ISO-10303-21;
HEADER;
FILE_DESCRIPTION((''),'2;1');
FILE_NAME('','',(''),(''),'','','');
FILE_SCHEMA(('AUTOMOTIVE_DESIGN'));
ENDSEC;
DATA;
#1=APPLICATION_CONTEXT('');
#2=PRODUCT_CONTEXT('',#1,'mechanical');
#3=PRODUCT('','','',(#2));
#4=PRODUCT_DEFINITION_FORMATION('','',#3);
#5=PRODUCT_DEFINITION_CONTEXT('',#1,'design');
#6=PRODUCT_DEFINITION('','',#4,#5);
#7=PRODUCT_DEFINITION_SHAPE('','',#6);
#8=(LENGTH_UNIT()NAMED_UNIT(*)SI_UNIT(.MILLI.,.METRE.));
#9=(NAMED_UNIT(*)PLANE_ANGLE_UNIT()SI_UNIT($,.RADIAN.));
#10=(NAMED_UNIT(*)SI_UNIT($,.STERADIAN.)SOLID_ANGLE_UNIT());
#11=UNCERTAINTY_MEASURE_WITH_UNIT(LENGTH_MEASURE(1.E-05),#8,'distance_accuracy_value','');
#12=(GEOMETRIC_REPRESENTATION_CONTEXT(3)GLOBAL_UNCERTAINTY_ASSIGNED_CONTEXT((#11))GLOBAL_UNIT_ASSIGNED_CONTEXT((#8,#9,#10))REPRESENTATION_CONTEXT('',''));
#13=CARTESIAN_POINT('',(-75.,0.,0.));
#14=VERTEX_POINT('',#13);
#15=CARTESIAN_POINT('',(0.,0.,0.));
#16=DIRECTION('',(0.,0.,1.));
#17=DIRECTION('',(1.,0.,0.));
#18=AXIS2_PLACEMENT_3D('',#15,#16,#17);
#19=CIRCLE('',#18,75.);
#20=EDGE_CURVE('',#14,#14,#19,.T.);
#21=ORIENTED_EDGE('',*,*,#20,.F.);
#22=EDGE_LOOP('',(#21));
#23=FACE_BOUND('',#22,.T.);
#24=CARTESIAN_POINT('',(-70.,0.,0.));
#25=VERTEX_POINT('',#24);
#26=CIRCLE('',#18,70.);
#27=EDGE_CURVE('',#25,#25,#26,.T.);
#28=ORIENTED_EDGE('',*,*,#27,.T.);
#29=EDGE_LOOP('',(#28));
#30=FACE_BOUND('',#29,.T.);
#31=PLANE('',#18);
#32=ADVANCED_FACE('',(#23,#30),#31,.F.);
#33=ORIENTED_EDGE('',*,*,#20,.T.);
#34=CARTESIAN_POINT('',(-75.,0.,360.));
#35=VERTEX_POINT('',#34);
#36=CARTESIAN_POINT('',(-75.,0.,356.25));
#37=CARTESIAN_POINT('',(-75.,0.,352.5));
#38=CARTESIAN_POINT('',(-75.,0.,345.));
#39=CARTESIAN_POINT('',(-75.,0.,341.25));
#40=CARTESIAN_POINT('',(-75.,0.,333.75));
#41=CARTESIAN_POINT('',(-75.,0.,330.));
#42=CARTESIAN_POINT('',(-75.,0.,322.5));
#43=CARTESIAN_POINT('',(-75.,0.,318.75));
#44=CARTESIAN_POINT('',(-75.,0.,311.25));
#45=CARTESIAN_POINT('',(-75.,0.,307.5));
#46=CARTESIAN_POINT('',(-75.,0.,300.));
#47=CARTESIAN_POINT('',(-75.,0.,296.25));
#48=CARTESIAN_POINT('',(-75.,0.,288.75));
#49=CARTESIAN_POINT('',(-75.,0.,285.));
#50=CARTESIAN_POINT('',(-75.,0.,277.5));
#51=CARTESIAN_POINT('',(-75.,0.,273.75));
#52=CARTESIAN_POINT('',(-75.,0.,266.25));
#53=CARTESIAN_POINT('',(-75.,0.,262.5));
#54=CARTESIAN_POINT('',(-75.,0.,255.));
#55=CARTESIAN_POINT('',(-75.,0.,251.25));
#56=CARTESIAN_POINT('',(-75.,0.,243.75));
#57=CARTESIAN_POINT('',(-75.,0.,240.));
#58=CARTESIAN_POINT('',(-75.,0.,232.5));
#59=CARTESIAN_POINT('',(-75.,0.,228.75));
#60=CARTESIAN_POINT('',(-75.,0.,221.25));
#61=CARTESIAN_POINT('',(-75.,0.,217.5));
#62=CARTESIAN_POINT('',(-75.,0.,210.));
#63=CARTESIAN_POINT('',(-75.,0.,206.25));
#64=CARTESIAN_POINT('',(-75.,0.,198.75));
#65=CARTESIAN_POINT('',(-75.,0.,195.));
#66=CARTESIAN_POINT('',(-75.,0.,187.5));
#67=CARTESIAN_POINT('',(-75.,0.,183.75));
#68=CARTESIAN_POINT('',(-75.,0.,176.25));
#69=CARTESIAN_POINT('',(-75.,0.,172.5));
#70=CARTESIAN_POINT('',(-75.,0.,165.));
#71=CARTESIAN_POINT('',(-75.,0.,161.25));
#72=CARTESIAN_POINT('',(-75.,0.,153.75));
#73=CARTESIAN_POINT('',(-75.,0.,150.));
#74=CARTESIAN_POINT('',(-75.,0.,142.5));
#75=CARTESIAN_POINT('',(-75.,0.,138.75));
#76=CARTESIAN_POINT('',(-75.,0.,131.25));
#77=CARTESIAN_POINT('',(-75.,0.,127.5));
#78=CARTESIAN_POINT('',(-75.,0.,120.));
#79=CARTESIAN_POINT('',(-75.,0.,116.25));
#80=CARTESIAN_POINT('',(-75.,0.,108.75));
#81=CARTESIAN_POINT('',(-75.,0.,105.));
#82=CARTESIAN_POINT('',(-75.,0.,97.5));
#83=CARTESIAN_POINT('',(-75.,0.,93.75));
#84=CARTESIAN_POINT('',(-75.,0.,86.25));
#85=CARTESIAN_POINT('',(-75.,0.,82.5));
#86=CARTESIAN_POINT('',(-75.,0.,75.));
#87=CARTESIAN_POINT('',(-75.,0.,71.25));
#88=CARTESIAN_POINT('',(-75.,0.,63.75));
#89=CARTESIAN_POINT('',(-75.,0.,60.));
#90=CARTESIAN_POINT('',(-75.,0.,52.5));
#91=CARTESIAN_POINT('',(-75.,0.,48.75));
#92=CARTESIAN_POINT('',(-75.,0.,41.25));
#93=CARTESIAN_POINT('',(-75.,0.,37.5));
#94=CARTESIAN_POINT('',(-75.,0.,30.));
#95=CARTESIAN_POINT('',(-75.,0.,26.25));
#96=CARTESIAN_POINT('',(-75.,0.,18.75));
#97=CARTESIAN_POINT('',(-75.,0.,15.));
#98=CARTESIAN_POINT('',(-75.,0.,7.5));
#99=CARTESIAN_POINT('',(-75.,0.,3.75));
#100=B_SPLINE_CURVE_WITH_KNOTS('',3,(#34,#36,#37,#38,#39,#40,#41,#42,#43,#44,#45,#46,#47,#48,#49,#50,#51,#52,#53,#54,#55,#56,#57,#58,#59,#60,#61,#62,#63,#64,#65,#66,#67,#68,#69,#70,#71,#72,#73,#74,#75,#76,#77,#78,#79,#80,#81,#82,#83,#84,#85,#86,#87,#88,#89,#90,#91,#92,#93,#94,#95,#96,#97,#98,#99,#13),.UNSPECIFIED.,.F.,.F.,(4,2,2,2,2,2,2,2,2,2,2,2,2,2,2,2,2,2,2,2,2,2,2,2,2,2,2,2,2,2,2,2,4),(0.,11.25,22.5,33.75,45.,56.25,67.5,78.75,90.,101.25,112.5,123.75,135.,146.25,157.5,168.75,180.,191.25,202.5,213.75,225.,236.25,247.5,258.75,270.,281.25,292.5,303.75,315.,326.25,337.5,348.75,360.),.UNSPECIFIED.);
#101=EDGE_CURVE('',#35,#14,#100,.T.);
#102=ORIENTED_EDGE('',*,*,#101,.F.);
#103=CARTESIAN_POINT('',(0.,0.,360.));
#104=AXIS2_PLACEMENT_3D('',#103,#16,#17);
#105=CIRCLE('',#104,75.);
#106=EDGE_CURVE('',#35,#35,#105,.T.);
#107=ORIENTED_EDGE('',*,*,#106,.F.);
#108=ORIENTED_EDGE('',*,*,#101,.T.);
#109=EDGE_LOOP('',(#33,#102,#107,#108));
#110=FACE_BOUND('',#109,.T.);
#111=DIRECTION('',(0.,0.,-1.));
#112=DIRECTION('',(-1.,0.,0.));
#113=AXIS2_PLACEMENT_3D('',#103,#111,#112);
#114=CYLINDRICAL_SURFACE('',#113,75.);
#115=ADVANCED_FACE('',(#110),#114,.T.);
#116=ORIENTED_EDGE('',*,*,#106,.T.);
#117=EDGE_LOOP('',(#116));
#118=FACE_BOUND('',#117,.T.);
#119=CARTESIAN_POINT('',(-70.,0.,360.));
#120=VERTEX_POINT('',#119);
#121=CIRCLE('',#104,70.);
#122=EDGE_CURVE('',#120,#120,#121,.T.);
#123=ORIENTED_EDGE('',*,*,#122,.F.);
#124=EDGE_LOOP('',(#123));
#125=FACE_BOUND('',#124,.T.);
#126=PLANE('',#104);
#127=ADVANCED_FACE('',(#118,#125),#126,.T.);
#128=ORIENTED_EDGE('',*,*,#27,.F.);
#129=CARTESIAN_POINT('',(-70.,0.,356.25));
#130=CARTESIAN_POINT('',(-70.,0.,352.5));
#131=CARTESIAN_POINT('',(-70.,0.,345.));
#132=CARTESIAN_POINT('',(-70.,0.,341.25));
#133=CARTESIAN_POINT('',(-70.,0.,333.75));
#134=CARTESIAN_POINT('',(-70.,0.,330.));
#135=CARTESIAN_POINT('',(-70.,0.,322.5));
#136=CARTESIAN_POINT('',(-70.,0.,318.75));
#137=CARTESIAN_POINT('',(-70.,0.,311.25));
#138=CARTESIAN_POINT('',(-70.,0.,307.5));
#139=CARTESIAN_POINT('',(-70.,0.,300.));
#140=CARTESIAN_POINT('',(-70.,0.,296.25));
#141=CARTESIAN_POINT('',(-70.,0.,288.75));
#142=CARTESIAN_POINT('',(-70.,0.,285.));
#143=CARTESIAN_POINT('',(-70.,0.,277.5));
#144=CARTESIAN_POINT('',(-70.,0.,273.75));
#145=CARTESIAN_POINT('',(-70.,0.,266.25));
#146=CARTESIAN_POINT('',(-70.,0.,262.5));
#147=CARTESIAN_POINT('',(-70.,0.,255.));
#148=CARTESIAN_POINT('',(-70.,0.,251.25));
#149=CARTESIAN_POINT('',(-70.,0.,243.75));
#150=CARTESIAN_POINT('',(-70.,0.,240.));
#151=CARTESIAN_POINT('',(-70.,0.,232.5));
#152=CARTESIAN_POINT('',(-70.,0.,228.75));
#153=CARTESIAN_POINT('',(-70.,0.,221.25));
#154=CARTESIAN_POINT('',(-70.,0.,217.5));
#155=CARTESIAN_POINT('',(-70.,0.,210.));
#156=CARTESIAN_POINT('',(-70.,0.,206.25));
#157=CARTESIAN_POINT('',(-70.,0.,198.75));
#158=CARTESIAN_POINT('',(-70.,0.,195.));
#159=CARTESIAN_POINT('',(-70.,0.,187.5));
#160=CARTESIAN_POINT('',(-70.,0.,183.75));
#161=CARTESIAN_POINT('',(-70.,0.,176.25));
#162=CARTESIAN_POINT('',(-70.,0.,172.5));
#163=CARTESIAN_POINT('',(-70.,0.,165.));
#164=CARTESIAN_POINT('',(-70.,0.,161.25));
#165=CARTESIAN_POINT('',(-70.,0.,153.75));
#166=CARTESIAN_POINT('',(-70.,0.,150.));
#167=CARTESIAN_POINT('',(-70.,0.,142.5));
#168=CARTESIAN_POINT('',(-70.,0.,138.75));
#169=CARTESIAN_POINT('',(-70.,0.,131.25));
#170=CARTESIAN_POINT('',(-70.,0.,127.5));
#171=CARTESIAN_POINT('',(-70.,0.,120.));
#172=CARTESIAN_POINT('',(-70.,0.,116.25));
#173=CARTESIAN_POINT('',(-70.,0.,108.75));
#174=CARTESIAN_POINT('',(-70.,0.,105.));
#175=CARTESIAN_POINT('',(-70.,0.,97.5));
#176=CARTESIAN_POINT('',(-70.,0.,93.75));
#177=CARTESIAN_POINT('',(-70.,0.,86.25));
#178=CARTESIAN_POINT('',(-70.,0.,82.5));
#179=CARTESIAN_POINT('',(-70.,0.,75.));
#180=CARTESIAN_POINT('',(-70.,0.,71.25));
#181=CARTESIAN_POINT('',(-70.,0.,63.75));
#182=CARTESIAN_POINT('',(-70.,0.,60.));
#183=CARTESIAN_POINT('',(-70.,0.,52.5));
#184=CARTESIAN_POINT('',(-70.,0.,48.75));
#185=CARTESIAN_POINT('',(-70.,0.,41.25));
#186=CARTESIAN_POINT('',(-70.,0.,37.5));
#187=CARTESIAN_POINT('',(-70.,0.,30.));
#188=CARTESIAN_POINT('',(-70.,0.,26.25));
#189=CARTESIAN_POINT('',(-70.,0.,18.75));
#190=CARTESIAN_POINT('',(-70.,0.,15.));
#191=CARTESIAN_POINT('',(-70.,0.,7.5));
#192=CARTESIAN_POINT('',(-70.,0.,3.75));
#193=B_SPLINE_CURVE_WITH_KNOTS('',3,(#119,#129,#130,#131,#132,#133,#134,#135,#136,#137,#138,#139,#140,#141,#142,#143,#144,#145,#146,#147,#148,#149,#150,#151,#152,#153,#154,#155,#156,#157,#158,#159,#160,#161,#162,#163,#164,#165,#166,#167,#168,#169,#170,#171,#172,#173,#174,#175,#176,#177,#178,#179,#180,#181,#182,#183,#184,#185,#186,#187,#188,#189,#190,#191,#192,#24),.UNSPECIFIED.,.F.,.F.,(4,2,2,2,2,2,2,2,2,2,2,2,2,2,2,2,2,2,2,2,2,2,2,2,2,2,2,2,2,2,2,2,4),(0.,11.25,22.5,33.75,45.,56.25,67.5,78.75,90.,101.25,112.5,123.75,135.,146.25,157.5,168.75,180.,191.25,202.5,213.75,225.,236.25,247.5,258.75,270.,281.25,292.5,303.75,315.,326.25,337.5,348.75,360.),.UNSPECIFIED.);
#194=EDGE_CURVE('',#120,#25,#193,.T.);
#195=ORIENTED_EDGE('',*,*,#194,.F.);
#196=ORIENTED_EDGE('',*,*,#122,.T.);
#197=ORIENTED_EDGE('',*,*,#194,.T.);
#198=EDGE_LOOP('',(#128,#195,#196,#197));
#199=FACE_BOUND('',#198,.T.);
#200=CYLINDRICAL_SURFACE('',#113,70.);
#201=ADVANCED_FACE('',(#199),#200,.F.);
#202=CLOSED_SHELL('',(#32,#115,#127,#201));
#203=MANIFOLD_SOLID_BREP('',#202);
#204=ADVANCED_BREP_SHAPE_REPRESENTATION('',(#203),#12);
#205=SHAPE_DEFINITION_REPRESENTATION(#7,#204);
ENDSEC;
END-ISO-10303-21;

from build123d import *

# Parameters (mm, degrees)
ESBO_O1_R                = 75
ESBO_O1_R_2              = 70
RESSALTO_EXTRUS_O1_DEPTH = 360


with BuildPart() as part:
    # Esboço1 → Ressalto-extrusão1 (new body)
    with BuildSketch(Plane.XY):
        with Locations(Location((0, 0, 0), (0, 0, 180))):
            Circle(ESBO_O1_R)
        with Locations(Location((0, 0, 0), (0, 0, 180))):
            Circle(ESBO_O1_R_2, mode=Mode.SUBTRACT)
    extrude(amount=RESSALTO_EXTRUS_O1_DEPTH)


solid = part.part
